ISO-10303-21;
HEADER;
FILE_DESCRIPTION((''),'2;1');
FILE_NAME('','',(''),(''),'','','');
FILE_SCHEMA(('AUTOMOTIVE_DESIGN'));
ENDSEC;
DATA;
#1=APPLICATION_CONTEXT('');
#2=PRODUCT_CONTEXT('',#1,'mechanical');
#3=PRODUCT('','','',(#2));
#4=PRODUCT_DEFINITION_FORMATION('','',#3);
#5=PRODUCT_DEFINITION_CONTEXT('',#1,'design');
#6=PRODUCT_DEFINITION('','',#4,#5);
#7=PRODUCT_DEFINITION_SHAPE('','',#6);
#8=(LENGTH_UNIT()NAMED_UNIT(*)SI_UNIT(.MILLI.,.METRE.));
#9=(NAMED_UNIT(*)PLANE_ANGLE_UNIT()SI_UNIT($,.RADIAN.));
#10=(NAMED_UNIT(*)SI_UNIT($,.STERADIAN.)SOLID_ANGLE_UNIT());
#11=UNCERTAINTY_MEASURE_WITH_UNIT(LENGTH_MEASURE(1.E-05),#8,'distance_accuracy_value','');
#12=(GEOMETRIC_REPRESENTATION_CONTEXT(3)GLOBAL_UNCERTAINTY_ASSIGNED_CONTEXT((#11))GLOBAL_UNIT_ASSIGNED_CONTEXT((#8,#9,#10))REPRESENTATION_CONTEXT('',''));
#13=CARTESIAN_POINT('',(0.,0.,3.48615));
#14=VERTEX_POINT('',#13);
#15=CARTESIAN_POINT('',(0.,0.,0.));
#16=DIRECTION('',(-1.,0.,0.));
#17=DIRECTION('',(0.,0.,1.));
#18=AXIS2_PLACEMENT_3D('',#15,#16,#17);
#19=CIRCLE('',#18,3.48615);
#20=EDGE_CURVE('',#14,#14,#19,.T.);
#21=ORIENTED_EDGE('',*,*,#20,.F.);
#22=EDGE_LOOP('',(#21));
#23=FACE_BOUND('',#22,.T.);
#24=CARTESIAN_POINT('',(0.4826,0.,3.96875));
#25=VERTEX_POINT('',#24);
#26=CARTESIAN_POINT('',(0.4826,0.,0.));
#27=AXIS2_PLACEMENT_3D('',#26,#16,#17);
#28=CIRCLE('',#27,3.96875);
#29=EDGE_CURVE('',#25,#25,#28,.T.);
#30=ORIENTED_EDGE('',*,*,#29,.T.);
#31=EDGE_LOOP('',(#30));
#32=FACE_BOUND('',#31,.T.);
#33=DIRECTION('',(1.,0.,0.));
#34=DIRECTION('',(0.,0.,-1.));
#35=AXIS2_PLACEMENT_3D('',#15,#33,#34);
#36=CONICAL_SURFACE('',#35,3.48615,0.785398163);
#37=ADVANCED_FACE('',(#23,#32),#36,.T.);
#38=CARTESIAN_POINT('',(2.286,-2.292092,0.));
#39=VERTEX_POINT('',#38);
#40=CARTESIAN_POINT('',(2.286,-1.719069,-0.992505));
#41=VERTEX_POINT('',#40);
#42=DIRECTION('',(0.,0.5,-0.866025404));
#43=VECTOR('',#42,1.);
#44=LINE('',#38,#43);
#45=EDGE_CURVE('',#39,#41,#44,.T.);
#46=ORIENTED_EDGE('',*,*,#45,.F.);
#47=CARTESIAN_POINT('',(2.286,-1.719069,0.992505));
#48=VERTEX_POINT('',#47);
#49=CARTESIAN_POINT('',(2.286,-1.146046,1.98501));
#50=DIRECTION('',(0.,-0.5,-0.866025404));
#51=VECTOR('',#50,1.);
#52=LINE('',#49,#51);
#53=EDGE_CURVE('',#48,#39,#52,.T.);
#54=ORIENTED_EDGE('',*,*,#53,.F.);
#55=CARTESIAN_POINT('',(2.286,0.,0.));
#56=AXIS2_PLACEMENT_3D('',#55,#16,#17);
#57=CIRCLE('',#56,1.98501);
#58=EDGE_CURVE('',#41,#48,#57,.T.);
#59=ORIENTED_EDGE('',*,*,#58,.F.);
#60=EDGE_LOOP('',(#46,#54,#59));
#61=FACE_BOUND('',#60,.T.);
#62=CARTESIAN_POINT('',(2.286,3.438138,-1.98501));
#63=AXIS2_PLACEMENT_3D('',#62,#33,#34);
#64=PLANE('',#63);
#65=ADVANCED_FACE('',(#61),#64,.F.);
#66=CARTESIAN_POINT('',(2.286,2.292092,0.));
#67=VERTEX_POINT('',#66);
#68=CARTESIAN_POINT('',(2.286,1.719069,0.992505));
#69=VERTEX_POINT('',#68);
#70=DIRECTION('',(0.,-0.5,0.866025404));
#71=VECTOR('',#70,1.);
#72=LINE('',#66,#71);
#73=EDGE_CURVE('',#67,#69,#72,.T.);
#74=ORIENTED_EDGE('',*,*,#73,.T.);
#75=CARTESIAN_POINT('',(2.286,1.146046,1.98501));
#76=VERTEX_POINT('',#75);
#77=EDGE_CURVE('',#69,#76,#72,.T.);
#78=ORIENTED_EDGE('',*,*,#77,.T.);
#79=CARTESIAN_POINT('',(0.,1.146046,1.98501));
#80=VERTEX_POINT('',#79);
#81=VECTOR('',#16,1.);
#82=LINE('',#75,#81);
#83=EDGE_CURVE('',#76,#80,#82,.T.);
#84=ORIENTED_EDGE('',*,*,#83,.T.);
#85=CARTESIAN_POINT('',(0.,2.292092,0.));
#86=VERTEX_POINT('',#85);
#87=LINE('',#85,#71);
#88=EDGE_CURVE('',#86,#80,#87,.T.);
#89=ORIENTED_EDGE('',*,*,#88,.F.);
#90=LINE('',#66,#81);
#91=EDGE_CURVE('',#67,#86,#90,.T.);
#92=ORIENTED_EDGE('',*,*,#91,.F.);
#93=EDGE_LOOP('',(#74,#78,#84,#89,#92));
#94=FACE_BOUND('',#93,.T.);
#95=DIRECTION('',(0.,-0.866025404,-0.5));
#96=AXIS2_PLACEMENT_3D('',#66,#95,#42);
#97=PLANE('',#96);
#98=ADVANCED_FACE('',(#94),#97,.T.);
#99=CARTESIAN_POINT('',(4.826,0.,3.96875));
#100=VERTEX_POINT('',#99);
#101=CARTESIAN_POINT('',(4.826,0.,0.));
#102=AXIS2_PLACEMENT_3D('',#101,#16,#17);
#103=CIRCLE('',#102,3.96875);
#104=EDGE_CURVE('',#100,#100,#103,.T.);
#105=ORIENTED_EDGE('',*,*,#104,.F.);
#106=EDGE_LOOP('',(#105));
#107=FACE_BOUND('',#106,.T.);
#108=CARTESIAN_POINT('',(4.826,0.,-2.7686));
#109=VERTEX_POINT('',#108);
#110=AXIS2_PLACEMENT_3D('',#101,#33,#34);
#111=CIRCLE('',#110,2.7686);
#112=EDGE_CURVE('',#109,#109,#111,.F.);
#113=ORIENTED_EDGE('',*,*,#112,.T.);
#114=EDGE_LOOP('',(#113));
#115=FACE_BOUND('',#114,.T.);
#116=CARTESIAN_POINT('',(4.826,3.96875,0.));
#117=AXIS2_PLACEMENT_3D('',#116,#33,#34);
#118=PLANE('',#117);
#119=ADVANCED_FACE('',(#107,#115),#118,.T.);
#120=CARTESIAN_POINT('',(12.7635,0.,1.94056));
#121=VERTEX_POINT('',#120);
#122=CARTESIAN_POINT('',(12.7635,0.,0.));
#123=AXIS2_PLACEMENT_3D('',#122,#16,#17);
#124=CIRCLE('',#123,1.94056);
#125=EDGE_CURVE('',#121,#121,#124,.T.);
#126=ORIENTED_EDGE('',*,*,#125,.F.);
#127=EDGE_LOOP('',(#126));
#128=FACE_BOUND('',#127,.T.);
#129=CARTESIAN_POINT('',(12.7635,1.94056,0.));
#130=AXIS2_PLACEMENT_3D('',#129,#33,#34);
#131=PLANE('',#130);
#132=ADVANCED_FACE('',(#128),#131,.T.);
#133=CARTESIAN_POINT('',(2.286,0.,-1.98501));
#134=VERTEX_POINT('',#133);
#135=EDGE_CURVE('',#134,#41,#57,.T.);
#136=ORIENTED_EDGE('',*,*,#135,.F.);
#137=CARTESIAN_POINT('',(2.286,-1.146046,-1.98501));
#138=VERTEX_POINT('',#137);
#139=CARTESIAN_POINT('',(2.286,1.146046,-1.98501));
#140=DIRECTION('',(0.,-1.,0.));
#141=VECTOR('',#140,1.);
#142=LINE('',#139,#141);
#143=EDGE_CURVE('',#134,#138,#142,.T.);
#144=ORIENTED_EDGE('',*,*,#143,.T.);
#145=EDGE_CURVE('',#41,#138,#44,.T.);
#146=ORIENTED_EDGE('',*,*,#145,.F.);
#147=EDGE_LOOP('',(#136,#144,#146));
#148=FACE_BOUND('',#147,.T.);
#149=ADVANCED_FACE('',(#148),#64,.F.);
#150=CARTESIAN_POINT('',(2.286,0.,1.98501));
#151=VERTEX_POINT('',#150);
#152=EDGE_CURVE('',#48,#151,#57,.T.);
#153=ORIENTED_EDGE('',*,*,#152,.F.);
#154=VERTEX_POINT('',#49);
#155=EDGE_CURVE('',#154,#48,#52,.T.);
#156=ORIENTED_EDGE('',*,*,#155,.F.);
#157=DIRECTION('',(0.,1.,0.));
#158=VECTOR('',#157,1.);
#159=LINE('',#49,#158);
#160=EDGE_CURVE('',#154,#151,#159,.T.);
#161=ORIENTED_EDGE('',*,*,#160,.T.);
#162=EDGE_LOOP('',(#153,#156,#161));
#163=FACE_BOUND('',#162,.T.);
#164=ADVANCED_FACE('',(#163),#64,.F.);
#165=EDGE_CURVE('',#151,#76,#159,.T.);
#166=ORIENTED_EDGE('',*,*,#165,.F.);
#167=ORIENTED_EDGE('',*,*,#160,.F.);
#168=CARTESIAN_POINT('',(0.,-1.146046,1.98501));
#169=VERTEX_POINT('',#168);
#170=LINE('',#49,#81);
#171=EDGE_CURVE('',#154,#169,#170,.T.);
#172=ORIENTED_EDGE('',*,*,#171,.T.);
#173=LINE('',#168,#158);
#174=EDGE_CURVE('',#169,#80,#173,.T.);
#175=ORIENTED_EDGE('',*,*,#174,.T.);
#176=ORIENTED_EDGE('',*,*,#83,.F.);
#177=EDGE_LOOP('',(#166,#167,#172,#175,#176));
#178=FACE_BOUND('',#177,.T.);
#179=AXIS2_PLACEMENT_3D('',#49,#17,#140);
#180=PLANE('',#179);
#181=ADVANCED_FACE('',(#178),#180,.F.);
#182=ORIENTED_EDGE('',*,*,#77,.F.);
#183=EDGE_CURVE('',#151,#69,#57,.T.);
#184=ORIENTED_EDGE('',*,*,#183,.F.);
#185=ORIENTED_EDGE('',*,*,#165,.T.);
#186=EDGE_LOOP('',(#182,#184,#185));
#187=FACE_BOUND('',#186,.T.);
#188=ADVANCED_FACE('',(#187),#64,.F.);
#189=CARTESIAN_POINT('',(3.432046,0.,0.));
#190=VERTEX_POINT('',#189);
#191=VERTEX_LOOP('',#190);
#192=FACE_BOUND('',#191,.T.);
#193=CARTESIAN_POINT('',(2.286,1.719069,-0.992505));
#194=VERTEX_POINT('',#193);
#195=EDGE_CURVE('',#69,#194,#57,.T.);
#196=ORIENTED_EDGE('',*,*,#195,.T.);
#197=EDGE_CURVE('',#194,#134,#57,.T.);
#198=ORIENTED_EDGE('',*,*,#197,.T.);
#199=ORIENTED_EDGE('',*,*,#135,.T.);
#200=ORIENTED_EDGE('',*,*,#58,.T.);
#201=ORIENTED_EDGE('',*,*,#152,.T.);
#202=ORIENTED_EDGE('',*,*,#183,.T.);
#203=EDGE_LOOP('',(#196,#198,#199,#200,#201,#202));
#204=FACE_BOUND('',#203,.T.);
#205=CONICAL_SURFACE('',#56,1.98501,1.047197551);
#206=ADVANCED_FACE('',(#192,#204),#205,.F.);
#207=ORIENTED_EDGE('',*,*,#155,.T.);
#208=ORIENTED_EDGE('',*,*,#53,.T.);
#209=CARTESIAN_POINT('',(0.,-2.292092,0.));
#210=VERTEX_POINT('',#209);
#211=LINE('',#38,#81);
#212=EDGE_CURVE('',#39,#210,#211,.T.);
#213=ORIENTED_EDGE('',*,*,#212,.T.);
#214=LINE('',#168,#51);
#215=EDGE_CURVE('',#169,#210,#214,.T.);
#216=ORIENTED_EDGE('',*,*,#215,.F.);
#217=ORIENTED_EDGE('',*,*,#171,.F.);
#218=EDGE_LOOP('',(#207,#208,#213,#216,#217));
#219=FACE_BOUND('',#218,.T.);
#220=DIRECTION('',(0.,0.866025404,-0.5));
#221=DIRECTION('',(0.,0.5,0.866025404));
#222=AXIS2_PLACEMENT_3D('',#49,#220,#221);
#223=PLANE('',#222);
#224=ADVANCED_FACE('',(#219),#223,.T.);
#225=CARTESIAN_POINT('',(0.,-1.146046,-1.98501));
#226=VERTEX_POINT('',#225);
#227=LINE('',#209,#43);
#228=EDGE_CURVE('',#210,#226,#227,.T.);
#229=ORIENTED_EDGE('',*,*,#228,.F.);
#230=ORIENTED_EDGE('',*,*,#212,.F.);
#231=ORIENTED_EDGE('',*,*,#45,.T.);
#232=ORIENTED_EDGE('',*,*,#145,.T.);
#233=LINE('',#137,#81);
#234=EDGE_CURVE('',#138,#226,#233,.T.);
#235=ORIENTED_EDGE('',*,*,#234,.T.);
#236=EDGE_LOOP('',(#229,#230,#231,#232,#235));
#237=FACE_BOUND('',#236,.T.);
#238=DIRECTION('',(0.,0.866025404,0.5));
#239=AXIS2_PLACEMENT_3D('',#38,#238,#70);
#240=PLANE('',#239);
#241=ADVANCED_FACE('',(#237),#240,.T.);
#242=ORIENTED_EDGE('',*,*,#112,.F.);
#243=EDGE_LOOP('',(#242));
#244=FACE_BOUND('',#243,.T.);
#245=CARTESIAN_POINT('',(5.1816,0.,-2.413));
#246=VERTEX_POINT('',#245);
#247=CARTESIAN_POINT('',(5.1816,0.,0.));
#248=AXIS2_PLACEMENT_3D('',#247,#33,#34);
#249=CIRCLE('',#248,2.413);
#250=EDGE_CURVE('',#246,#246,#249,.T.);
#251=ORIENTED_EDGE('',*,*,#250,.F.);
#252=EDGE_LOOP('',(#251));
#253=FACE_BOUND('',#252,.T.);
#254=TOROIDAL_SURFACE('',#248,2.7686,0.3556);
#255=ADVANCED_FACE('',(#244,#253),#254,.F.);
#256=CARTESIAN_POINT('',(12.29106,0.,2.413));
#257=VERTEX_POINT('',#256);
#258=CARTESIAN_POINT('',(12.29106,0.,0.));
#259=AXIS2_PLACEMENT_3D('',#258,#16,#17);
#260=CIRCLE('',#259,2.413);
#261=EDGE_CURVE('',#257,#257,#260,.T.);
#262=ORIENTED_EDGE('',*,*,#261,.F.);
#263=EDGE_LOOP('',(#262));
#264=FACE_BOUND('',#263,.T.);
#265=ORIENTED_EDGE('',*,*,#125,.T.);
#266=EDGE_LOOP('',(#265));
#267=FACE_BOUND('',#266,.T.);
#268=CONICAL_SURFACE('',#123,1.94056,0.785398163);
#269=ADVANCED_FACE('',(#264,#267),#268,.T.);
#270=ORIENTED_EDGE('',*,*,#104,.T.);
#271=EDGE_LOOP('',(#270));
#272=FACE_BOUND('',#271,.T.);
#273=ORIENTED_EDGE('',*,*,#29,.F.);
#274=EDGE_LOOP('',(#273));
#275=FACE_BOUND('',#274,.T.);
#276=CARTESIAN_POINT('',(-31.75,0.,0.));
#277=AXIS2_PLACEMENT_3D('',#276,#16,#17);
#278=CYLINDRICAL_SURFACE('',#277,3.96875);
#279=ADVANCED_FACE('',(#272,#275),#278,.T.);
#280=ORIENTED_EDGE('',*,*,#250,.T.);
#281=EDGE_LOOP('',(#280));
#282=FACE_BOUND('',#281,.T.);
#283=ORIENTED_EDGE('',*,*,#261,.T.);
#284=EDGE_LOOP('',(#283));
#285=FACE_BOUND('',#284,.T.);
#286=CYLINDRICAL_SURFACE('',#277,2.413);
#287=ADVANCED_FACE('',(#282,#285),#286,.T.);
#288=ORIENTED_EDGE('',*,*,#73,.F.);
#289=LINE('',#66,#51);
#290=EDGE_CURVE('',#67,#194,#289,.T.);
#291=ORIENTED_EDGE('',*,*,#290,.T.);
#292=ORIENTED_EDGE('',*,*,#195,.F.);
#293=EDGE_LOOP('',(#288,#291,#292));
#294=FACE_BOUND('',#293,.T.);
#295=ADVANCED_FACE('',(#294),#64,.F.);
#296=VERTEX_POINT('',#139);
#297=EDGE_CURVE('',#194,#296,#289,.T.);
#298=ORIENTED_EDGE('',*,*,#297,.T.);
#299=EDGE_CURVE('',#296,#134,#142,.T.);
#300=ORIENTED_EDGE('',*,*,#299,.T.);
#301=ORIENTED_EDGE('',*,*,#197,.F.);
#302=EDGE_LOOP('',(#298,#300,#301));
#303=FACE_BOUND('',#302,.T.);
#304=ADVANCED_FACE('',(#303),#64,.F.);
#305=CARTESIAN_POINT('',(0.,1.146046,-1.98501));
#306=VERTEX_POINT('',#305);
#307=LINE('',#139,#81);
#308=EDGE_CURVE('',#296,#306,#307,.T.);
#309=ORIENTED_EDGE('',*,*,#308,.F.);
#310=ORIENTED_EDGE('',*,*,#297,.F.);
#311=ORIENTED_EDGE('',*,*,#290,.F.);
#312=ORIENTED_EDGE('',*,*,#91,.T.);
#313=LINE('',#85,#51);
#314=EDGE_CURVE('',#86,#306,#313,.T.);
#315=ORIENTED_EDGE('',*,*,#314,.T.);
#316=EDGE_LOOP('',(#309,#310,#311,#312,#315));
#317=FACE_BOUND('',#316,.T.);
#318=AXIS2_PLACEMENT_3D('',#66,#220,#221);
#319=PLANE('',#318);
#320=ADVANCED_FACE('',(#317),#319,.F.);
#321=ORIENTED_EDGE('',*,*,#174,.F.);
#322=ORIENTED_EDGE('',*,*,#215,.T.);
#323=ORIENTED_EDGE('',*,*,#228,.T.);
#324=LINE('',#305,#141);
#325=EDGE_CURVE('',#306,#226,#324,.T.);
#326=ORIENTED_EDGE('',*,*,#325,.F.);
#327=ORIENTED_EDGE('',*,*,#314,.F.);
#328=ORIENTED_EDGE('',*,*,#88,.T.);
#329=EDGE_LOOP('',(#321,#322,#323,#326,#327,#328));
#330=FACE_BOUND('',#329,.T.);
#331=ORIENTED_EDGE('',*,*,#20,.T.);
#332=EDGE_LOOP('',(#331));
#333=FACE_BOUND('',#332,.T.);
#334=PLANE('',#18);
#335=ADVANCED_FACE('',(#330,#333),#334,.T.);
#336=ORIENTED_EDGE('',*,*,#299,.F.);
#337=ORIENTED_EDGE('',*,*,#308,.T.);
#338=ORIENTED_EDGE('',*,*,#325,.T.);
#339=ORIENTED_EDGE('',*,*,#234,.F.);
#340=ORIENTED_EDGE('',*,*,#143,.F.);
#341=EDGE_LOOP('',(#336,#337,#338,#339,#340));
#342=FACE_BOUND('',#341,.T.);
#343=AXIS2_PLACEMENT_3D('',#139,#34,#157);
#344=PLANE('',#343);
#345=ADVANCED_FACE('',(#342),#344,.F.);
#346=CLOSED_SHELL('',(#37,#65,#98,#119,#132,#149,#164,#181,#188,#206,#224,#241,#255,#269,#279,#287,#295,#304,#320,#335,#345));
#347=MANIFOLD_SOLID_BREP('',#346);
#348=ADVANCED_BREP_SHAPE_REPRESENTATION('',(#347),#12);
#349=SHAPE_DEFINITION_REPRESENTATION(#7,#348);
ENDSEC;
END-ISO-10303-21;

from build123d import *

# Parameters (mm, degrees)
FILLET1_R   = 0.3556
HEX_2_DEPTH = 2.286


with BuildPart() as part:
    # BodySke → Base-Revolve (revolve)
    with BuildSketch(Plane.XY):
        Polygon((0, 0), (0, 3.48615), (0.4826, 3.96875), (4.826, 3.96875), (4.826, 2.413), (12.29106, 2.413), (12.7635, 1.94056), (12.7635, 0), align=None)
    revolve(axis=Axis((-31.75, 0, 0), (1, 0, 0)))

    # Fillet1
    fillet1_edges = [part.edges().sort_by_distance(p)[0] for p in [
        (4.826, -2.413, 0),
    ]]
    fillet(fillet1_edges, radius=FILLET1_R)

    # Sketch2 → Hex-PreBroach (revolve, cut)
    with BuildSketch(Plane.XY):
        Polygon((0, 1.98501), (2.286, 1.98501), (3.432046058, 0), (0, 0), align=None)
    revolve(axis=Axis((0, 0, 0), (1, 0, 0)), mode=Mode.SUBTRACT)

    # Sketch3 → Hex 2 (cut)
    with BuildSketch(Plane(origin=(0, 0, 0), x_dir=(0, 0.5, 0.866025404), z_dir=(-1, 0, 0))):
        Polygon((1.146046058, 1.98501), (-1.146046058, 1.98501), (-2.292092116, 0), (-1.146046058, -1.98501), (1.146046058, -1.98501), (2.292092116, 0), align=None)
    extrude(amount=-HEX_2_DEPTH, mode=Mode.SUBTRACT)


solid = part.part
